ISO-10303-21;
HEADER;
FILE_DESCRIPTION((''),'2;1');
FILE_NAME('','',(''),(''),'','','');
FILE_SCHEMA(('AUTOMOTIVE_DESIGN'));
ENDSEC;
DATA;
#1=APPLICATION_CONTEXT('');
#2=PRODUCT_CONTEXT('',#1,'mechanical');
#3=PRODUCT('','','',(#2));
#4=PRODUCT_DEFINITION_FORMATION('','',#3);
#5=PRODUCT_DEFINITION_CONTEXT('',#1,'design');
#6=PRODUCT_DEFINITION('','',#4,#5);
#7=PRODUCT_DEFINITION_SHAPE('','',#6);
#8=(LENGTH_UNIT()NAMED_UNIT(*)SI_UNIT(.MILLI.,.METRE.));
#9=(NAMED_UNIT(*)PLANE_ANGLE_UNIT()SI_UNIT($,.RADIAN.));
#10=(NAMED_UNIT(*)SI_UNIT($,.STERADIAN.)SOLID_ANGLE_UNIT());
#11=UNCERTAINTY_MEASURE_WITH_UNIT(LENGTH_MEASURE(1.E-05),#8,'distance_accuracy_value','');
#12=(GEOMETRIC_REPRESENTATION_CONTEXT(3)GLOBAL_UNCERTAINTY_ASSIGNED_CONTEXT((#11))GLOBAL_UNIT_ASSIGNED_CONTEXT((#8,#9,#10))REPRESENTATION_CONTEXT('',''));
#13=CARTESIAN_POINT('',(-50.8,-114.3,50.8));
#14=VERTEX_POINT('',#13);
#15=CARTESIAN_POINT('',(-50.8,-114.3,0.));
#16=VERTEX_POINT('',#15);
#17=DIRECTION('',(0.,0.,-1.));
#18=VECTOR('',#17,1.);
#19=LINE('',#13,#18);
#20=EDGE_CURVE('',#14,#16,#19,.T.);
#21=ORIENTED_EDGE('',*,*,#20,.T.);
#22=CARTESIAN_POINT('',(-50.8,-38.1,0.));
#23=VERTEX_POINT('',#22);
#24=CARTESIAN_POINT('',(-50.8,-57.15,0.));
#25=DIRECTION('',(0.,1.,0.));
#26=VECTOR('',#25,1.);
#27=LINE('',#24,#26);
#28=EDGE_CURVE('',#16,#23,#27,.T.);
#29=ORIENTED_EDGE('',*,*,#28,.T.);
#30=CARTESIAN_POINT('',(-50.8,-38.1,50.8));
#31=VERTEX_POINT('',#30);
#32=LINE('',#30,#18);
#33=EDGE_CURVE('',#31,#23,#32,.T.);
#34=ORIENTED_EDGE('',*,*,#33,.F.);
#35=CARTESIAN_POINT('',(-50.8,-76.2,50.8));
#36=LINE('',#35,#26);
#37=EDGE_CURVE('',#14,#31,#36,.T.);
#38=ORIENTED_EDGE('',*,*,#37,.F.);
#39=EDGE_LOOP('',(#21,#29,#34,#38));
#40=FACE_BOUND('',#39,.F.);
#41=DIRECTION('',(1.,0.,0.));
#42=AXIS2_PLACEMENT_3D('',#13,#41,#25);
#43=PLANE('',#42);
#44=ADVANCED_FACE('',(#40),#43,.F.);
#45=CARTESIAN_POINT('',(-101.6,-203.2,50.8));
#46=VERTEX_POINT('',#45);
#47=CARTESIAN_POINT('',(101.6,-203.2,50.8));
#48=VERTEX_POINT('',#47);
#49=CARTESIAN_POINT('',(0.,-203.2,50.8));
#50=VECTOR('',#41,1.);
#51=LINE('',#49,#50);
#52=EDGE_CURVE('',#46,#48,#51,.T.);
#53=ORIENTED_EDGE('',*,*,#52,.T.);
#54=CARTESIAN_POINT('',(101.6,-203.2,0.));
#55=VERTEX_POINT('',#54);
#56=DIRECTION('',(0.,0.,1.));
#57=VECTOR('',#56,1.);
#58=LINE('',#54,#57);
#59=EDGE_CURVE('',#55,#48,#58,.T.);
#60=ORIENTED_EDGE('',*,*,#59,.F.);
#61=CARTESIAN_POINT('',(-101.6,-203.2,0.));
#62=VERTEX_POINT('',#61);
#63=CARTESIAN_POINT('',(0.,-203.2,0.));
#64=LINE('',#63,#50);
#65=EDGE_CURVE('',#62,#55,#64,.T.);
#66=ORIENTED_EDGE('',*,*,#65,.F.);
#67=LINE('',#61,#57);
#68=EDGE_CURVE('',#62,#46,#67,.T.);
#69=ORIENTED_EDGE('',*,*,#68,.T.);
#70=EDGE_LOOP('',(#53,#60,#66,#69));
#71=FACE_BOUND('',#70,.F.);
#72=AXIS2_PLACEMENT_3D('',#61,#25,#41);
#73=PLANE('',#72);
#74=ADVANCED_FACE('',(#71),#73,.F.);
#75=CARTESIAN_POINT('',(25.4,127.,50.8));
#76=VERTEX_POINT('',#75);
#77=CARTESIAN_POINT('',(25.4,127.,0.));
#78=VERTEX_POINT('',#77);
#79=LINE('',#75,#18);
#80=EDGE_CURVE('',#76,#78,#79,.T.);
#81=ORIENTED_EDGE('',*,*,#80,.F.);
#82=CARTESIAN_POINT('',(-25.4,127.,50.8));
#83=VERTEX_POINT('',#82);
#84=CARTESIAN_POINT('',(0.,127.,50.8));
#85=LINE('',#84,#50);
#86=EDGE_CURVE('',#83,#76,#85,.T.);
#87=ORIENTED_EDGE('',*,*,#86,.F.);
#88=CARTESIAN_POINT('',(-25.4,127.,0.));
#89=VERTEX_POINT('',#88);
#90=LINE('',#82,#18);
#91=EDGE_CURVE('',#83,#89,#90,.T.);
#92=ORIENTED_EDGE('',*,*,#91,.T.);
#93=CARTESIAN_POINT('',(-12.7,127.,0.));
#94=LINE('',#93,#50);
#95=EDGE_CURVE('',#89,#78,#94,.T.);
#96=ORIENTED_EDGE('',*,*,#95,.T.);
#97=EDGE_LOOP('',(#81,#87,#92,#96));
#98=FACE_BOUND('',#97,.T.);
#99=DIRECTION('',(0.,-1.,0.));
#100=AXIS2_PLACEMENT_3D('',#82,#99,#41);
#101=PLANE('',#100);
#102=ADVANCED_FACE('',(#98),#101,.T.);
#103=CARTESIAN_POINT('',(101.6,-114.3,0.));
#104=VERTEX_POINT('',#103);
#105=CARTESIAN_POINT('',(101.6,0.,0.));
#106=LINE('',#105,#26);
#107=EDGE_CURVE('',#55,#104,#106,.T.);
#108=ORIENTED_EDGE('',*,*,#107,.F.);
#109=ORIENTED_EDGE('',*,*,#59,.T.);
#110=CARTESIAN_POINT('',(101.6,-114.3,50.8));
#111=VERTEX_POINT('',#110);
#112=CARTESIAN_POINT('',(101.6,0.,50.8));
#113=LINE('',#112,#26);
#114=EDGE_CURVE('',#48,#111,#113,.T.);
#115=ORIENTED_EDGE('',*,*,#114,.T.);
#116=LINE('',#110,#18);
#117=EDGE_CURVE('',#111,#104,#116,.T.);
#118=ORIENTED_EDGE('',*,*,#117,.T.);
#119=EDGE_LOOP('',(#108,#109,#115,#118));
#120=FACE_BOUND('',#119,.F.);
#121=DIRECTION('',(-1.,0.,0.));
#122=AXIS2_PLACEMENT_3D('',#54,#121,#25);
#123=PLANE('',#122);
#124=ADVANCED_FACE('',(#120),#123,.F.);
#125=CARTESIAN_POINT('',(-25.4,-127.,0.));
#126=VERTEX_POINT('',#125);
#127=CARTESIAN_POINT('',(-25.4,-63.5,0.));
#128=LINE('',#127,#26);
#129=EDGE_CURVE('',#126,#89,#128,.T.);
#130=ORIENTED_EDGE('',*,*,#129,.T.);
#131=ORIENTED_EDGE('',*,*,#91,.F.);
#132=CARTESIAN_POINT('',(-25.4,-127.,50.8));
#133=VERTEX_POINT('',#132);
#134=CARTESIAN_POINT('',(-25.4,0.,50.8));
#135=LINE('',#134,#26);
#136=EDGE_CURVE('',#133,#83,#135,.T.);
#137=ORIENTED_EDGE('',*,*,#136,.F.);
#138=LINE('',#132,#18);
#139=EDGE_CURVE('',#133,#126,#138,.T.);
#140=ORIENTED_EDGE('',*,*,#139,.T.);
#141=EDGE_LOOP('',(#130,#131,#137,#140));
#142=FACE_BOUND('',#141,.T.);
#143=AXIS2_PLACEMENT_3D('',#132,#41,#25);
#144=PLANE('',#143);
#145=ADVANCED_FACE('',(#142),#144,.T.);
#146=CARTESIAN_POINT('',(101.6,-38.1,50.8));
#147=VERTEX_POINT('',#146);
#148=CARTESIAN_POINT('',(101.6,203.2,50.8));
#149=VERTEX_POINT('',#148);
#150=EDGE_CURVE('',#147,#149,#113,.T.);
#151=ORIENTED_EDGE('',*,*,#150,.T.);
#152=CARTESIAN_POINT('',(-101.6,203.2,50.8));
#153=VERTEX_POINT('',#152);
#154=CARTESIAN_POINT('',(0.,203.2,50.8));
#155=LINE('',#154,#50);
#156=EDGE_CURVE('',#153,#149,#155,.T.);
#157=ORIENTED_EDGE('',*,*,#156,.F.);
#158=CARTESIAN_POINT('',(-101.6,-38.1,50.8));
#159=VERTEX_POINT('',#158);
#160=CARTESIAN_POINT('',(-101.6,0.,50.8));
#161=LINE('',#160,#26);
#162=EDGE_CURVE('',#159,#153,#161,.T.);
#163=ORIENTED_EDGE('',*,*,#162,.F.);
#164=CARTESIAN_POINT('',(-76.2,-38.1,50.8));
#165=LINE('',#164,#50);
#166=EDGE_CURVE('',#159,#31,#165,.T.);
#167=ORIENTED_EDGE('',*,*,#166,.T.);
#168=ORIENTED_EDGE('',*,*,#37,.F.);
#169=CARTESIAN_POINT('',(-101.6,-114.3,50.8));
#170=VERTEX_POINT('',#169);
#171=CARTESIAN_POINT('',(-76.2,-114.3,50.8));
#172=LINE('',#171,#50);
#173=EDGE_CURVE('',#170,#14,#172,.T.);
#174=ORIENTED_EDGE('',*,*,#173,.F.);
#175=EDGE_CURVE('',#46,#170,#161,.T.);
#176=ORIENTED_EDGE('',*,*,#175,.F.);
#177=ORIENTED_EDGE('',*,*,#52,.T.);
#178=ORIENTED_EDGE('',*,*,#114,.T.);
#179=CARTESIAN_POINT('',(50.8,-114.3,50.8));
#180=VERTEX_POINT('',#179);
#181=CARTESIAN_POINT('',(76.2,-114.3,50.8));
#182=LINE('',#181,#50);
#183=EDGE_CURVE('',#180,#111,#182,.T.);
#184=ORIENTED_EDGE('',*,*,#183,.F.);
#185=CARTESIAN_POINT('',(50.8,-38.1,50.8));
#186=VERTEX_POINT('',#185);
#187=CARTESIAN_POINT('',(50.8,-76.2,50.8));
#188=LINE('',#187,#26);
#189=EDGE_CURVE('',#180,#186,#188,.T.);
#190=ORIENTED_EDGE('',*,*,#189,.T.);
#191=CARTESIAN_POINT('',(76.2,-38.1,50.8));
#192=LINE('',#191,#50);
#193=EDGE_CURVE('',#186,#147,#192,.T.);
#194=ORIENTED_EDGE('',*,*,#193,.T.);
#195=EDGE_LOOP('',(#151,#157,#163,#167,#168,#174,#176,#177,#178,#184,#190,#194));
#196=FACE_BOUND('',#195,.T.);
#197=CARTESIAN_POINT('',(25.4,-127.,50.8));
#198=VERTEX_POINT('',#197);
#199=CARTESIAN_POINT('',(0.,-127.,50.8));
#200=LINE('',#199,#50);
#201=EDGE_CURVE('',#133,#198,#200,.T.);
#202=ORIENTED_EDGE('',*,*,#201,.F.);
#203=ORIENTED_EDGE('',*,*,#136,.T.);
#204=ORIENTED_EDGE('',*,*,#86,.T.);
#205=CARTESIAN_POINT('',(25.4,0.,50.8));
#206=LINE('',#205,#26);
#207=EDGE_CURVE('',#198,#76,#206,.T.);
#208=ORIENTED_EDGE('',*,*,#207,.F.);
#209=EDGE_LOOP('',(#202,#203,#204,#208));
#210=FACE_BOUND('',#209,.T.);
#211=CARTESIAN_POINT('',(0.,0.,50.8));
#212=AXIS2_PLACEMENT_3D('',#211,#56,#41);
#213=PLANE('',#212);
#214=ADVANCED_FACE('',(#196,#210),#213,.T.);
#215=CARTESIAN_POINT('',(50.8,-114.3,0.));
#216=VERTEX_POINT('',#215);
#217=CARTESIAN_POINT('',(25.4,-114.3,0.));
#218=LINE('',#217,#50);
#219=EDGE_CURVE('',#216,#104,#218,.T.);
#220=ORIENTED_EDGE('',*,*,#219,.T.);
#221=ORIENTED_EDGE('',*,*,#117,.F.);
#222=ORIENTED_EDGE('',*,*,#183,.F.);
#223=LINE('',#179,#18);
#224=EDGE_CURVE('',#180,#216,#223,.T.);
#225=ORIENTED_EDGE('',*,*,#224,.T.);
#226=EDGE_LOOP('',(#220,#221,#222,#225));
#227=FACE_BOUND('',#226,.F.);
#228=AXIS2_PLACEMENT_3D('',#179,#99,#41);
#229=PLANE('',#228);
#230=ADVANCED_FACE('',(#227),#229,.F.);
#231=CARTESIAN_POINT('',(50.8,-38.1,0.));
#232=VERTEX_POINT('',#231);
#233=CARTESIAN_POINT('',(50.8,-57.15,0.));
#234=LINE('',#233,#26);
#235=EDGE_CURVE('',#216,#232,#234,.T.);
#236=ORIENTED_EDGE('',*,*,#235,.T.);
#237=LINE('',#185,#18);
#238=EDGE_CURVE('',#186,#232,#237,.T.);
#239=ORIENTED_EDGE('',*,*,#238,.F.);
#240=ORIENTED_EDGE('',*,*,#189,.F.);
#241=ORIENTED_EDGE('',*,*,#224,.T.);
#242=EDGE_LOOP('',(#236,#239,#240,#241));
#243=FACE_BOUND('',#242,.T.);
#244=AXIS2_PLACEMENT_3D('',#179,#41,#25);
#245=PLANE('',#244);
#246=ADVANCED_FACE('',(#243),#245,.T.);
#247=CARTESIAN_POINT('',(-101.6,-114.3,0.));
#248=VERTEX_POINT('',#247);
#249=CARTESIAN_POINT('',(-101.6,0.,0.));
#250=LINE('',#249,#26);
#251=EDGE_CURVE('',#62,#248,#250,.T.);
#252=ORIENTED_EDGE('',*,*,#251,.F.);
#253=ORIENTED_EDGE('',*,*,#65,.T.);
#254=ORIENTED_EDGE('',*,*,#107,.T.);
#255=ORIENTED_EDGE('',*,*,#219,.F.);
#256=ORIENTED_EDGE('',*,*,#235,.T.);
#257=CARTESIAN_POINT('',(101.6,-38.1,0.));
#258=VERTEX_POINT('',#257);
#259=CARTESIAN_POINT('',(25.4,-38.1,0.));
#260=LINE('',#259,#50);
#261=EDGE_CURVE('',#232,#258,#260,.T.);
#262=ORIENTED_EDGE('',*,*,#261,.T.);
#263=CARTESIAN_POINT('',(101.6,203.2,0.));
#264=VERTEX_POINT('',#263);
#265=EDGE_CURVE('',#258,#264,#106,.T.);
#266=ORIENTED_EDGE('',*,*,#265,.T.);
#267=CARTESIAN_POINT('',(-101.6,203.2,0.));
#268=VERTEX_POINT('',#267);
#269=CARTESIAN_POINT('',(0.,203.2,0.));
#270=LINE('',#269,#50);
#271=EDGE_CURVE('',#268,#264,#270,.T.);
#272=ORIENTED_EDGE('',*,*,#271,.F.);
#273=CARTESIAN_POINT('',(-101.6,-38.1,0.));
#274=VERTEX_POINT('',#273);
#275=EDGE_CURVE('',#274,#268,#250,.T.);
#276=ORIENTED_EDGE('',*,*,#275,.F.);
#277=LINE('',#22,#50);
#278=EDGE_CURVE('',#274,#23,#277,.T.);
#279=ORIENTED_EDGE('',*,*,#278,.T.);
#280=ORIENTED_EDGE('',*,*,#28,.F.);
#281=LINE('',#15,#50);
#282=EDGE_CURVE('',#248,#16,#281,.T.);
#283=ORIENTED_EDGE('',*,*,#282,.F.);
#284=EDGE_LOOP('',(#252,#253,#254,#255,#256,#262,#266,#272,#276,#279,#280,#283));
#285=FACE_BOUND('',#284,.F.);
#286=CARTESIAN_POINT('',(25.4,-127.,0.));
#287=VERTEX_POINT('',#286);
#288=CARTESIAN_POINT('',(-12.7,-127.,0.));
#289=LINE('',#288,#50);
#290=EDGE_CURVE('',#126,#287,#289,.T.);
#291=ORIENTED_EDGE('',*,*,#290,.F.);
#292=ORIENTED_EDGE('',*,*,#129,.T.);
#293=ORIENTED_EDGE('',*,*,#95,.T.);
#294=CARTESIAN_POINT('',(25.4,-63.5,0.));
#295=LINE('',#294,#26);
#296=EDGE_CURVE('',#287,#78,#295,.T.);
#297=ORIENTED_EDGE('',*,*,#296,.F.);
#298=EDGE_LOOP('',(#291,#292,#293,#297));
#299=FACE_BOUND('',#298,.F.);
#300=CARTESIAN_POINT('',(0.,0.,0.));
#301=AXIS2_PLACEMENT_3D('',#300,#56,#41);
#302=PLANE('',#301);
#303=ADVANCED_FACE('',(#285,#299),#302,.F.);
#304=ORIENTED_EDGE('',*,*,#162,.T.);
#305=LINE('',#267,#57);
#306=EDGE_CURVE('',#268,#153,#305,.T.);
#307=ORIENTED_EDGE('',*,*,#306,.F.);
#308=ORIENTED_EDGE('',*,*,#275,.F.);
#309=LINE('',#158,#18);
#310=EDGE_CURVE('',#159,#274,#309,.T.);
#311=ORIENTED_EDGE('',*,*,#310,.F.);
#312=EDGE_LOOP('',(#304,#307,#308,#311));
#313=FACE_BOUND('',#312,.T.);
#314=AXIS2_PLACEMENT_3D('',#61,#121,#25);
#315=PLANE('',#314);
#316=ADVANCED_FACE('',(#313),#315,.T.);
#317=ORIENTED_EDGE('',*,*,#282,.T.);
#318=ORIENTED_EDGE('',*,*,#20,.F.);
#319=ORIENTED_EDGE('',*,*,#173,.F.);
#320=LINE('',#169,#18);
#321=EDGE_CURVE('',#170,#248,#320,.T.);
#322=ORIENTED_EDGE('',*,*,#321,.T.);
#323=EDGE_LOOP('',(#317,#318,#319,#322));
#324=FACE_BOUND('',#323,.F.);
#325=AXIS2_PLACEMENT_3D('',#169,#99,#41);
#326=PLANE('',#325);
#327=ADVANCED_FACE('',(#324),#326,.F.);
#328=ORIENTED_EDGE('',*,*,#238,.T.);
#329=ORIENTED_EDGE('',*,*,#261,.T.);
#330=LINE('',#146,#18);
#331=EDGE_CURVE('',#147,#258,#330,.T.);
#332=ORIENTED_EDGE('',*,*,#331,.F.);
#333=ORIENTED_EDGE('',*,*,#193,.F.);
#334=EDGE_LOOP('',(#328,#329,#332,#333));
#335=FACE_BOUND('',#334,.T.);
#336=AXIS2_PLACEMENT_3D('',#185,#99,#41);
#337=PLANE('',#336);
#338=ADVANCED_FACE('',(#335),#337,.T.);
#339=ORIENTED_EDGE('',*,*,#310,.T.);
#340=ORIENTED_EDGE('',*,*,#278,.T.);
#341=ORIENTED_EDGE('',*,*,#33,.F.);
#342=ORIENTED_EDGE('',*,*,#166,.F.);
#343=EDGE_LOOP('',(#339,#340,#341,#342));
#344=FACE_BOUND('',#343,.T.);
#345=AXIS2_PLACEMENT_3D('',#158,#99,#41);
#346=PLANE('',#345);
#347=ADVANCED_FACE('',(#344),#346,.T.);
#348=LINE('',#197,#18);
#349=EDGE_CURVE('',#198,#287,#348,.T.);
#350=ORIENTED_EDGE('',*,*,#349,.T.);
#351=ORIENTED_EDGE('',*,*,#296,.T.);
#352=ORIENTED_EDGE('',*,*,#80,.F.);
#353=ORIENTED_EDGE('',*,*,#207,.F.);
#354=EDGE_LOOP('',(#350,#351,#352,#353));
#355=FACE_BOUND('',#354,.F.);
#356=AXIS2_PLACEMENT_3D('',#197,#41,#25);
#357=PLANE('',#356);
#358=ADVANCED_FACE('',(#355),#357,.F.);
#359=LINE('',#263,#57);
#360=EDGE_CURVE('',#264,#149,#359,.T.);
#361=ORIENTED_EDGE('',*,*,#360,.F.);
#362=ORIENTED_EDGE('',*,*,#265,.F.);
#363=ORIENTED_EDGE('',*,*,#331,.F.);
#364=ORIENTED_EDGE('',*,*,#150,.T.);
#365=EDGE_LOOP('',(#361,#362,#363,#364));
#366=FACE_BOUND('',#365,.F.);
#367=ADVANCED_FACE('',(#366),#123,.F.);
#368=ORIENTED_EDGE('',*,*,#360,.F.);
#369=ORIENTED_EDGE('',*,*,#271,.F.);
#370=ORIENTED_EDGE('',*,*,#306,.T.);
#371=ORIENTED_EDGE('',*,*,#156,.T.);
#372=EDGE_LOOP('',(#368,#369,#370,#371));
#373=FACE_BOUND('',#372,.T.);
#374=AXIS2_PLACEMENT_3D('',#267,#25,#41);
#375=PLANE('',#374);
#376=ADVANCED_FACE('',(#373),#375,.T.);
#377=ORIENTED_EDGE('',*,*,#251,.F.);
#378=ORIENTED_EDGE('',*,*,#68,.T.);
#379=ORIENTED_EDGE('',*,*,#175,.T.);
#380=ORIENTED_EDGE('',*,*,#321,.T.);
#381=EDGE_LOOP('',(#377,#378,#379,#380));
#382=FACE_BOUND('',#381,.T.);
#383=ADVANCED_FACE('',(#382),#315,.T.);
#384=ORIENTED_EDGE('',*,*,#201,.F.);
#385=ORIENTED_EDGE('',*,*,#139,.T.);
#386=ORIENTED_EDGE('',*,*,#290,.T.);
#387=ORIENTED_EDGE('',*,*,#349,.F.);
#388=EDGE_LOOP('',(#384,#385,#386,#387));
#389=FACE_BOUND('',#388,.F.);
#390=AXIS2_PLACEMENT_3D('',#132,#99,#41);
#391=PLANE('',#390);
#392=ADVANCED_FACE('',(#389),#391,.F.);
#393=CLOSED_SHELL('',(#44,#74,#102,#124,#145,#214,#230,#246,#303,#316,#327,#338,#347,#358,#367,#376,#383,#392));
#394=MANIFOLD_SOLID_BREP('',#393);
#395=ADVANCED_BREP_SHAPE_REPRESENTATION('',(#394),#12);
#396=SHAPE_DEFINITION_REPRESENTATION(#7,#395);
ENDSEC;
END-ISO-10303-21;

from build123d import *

# Parameters (mm, degrees)
F0_W     = 203.2
F0_H     = 406.4
F1_DEPTH = 50.8
F2_W     = 50.8
F2_H     = 254
F2_H_2   = 76.2
F3_DEPTH = 50.801


with BuildPart() as f1:
    # F0 (on Top) → F1 (new body)
    with BuildSketch(Plane.XY):
        Rectangle(F0_W, F0_H)
    extrude(amount=F1_DEPTH)

    # F2 (on face) → F3 (cut, through all)
    with BuildSketch(Plane.XY.offset(50.8)):
        Rectangle(F2_W, F2_H)
        with Locations((-76.2, -76.2)):
            Rectangle(F2_W, F2_H_2)
        with Locations((76.2, -76.2)):
            Rectangle(F2_W, F2_H_2)
    extrude(amount=-F3_DEPTH, mode=Mode.SUBTRACT)


solid = f1.part
